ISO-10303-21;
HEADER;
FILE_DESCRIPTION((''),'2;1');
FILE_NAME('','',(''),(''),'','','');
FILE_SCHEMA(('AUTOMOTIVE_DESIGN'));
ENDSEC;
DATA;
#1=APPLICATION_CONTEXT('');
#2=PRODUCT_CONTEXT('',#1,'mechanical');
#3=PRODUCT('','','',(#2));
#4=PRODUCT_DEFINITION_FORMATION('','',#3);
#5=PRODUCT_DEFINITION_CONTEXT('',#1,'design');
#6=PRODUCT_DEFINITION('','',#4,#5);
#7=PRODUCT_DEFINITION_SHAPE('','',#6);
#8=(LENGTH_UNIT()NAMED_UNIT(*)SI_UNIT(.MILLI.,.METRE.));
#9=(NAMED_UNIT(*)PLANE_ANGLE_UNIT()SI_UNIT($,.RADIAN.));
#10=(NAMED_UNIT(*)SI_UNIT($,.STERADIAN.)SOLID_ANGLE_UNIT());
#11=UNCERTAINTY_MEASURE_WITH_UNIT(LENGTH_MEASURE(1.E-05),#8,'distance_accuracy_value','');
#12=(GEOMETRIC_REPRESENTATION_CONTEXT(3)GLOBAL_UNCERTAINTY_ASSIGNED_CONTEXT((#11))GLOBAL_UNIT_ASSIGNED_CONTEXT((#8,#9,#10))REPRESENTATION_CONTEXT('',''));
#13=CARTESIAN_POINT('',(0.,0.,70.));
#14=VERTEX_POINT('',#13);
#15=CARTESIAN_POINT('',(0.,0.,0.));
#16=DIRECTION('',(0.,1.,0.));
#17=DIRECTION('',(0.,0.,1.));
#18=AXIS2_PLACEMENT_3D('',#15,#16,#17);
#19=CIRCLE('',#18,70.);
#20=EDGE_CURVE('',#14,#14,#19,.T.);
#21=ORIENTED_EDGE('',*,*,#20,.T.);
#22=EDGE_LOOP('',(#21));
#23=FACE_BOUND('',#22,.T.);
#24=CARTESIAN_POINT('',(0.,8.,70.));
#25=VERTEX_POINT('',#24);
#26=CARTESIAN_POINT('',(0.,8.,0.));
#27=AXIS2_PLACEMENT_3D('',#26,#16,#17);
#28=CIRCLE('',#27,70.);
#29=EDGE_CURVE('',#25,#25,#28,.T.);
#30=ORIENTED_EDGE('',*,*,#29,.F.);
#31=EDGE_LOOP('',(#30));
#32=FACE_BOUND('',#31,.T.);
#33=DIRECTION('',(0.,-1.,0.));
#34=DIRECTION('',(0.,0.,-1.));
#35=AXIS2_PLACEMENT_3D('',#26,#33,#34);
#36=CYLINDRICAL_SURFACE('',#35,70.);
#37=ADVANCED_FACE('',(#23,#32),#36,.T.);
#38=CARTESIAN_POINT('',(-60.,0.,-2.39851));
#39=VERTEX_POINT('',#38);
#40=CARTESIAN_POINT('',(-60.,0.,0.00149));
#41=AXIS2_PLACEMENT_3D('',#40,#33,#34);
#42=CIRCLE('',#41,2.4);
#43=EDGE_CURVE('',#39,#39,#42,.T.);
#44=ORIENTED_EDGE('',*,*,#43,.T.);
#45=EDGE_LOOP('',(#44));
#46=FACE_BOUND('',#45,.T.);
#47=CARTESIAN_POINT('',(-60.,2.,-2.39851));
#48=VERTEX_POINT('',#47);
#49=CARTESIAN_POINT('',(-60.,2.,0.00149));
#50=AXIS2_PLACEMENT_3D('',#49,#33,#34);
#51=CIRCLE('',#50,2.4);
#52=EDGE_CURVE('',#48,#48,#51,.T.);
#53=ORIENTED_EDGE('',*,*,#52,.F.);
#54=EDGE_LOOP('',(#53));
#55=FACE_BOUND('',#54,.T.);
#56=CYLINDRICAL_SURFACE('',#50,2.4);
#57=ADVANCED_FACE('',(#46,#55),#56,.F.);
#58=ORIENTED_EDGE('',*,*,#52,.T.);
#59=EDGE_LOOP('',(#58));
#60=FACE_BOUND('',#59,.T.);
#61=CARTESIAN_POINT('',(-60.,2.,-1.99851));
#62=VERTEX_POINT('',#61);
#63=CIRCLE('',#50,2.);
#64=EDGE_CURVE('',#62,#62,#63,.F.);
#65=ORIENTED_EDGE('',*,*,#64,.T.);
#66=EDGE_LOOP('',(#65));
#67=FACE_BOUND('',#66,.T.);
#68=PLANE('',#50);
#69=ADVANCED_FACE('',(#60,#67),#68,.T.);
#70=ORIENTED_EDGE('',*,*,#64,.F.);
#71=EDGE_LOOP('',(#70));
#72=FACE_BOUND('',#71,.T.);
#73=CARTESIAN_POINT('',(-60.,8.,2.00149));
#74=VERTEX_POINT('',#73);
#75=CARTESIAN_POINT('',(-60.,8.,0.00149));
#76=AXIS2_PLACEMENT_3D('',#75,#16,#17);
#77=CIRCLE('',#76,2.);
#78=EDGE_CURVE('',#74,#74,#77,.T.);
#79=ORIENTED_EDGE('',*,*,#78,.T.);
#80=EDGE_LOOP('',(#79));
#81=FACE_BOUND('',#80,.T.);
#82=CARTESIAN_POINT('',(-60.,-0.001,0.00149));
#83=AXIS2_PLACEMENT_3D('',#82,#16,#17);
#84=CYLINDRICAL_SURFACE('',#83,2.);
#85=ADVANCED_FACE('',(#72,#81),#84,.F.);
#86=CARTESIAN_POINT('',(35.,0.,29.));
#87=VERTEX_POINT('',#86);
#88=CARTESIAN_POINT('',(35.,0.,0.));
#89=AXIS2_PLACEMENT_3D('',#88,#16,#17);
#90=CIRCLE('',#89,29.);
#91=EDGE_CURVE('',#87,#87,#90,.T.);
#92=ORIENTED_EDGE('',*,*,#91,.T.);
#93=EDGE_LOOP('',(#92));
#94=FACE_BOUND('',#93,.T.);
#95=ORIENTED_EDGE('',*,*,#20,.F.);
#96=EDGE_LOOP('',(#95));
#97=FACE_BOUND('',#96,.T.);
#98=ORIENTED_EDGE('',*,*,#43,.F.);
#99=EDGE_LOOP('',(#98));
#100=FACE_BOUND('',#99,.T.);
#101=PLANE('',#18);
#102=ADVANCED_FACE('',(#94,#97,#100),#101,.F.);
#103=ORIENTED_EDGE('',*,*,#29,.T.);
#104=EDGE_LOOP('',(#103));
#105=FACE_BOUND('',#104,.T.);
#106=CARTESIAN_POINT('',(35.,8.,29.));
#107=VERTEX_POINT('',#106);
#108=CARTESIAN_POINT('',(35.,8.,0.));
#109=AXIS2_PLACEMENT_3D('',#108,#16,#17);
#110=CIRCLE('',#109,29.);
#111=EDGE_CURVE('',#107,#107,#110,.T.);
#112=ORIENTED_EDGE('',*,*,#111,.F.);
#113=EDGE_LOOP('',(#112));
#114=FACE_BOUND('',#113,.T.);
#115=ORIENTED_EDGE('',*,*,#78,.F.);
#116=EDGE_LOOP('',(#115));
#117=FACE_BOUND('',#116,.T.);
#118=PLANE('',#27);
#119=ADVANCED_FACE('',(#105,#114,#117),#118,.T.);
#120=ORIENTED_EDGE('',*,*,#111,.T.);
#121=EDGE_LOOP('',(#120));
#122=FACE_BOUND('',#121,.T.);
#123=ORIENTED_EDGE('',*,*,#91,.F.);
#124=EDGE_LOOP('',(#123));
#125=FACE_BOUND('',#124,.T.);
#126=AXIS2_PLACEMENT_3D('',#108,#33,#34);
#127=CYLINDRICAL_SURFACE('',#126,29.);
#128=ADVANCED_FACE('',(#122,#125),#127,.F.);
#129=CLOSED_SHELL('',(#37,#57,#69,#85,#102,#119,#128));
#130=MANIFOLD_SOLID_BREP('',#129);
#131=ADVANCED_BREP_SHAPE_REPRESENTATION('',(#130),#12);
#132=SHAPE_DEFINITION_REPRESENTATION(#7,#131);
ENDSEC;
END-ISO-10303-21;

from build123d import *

# Parameters (mm, degrees)
SKETCH1_R           = 70
BOSS_EXTRUDE1_DEPTH = 8
CUT_EXTRUDE1_REACH  = 10
SKETCH2_R           = 2
SKETCH3_R           = 2.4
CUT_EXTRUDE2_DEPTH  = 2


with BuildPart() as part:
    # Sketch1 → Boss-Extrude1 (new body)
    with BuildSketch(Plane(origin=(0, 0, 0), x_dir=(1, 0, 0), z_dir=(0, 1, 0))):
        Circle(SKETCH1_R)
        with BuildLine():
            ThreePointArc((35, -29), (6, 0), (35, 29))
            ThreePointArc((35, 29), (55.506096654, 20.506096654), (64, 0))
            ThreePointArc((64, 0), (55.506096654, -20.506096654), (35, -29))
        make_face(mode=Mode.SUBTRACT)
    extrude(amount=BOSS_EXTRUDE1_DEPTH)

    # Sketch2 → Cut-Extrude1 (cut, up to next)
    with BuildSketch(Plane(origin=(0, 8, 0), x_dir=(1, 0, 0), z_dir=(0, 1, 0)), mode=Mode.PRIVATE) as cut_extrude1_sk1:
        with Locations((-59.999999981, -0.001490332)):
            Circle(SKETCH2_R)
    cut_extrude1_tool1 = extrude(cut_extrude1_sk1.sketch, amount=-CUT_EXTRUDE1_REACH, mode=Mode.PRIVATE) & part.part
    add(cut_extrude1_tool1.solids().sort_by_distance((-60, 8, 0.00149))[0], mode=Mode.SUBTRACT)

    # Sketch3 → Cut-Extrude2 (cut)
    with BuildSketch(Plane.XZ):
        with Locations((-59.999999981, 0.001490332)):
            Circle(SKETCH3_R)
    extrude(amount=-CUT_EXTRUDE2_DEPTH, mode=Mode.SUBTRACT)


solid = part.part
